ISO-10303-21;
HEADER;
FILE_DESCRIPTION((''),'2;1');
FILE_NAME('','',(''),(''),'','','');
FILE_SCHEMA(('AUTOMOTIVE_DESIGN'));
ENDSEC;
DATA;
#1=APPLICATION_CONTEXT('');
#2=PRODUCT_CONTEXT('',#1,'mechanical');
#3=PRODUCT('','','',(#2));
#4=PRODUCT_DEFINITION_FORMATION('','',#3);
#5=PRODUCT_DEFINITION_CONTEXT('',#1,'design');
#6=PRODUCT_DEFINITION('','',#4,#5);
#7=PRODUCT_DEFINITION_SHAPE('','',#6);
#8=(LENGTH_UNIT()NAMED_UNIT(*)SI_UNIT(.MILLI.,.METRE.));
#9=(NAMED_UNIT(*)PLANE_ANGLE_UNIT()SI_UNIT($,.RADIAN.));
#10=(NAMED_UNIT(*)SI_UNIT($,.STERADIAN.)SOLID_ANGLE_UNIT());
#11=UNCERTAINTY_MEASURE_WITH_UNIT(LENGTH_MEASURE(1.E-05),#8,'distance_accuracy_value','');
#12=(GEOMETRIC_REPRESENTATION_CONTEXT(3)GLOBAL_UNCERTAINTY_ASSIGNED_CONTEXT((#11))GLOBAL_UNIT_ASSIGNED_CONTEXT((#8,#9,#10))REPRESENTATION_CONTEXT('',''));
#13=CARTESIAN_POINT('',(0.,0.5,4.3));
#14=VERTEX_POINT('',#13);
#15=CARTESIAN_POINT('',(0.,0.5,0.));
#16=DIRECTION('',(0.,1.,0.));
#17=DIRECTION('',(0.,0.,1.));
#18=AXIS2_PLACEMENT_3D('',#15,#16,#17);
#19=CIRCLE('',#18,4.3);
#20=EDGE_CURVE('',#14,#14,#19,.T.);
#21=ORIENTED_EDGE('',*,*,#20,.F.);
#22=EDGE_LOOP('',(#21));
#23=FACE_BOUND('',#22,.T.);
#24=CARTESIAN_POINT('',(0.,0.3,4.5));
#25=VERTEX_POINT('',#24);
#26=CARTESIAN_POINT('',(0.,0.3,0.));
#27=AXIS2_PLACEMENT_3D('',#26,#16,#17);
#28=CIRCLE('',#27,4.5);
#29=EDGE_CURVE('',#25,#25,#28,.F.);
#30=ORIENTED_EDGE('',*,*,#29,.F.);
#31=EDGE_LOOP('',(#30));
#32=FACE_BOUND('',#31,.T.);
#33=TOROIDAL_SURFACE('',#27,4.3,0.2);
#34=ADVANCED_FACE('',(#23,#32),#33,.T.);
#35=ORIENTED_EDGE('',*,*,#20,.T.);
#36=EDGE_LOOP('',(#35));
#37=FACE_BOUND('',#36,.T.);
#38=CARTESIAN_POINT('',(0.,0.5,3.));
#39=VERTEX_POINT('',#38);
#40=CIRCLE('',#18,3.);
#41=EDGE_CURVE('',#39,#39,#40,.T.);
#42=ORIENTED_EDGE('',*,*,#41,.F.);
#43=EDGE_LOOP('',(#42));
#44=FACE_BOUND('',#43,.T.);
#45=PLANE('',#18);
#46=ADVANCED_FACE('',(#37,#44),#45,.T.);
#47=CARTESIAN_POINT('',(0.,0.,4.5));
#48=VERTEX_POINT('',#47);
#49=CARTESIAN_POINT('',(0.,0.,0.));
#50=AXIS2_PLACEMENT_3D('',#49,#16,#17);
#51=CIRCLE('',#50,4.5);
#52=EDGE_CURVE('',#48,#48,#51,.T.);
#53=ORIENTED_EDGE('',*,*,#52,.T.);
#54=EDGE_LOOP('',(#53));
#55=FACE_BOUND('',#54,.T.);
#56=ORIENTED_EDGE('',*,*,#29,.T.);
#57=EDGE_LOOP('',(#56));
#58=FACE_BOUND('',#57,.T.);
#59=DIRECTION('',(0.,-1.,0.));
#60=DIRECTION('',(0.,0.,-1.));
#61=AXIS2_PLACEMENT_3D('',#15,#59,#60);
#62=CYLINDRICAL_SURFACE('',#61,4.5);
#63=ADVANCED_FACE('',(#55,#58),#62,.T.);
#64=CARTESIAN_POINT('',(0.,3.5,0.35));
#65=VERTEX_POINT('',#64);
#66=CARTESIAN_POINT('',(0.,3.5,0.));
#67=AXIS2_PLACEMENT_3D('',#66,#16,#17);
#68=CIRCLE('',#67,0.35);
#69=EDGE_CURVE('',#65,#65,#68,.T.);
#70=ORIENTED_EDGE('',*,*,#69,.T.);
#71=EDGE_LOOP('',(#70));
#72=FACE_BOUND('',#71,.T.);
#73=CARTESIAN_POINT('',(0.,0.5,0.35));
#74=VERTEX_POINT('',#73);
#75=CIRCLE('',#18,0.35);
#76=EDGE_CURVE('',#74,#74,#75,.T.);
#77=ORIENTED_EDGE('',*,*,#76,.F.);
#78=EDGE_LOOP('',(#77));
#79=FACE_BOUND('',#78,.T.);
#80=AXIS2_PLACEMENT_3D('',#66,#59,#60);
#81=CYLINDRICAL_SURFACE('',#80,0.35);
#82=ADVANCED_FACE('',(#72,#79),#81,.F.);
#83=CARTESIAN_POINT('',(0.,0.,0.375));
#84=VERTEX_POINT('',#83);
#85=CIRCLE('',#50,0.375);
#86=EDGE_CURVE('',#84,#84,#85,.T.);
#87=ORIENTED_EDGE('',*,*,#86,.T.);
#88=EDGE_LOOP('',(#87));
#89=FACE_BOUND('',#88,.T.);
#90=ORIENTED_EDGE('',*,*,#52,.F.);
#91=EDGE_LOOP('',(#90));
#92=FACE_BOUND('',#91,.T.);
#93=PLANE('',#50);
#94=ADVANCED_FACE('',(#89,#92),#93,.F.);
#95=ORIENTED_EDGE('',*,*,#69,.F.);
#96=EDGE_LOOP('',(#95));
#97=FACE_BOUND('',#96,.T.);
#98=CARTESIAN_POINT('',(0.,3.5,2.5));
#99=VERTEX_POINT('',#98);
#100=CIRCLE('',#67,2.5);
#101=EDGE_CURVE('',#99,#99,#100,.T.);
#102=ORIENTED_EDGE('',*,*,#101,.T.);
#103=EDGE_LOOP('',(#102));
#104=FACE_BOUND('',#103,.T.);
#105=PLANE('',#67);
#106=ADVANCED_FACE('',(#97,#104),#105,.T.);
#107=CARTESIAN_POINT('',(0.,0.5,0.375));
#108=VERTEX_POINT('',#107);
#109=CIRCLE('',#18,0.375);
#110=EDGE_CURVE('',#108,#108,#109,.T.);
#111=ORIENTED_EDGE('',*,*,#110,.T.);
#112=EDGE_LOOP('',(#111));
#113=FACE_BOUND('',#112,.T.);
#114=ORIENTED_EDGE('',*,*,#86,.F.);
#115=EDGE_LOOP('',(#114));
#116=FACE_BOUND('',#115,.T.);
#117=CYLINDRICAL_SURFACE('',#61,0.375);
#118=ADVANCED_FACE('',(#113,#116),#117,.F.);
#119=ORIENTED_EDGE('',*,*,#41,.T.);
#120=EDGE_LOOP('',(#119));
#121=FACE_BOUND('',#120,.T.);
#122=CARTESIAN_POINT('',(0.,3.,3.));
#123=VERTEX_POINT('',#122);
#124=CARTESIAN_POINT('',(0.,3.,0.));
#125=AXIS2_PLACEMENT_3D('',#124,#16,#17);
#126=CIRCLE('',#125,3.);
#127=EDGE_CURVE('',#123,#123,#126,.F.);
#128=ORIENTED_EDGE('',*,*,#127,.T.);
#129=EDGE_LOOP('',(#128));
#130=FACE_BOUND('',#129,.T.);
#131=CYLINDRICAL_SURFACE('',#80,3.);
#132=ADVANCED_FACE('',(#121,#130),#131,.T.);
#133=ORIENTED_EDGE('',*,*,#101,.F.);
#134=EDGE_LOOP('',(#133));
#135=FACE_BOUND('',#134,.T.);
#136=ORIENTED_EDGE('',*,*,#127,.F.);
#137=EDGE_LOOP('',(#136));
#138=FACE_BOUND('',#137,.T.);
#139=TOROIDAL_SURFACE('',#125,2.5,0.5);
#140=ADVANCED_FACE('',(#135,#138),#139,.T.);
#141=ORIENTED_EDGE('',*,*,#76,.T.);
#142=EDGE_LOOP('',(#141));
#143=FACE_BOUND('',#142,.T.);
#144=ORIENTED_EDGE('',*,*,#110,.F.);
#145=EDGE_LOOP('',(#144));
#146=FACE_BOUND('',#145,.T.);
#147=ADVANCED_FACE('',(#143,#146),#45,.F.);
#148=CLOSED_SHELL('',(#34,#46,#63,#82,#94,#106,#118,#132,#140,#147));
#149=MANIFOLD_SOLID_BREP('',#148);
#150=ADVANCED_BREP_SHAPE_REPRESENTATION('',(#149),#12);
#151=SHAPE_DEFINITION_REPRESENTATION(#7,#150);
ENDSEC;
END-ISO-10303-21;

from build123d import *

# Parameters (mm, degrees)
SKETCH1_R           = 4.5
SKETCH1_R_2         = 0.375
BOSS_EXTRUDE1_DEPTH = 0.5
SKETCH2_R           = 3
SKETCH2_R_2         = 0.35
BOSS_EXTRUDE2_DEPTH = 3
FILLET1_R           = 0.5
FILLET2_R           = 0.2


with BuildPart() as part:
    # Sketch1 → Boss-Extrude1 (new body)
    with BuildSketch(Plane(origin=(0, 0, 0), x_dir=(1, 0, 0), z_dir=(0, 1, 0))):
        with Locations(Location((0, 0, 0), (0, 0, 270))):
            Circle(SKETCH1_R)
        with Locations(Location((0, 0, 0), (0, 0, 270))):
            Circle(SKETCH1_R_2, mode=Mode.SUBTRACT)
    extrude(amount=BOSS_EXTRUDE1_DEPTH)

    # Sketch2 → Boss-Extrude2 (add)
    with BuildSketch(Plane(origin=(0, 0.5, 0), x_dir=(1, 0, 0), z_dir=(0, 1, 0))):
        with Locations(Location((0, 0, 0), (0, 0, 270))):
            Circle(SKETCH2_R)
        with Locations(Location((0, 0, 0), (0, 0, 270))):
            Circle(SKETCH2_R_2, mode=Mode.SUBTRACT)
    extrude(amount=BOSS_EXTRUDE2_DEPTH)

    # Fillet1
    fillet1_edges = [part.edges().sort_by_distance(p)[0] for p in [
        (0, 3.5, -3),
    ]]
    fillet(fillet1_edges, radius=FILLET1_R)

    # Fillet2
    fillet2_edges = [part.edges().sort_by_distance(p)[0] for p in [
        (0, 0.5, -4.5),
    ]]
    fillet(fillet2_edges, radius=FILLET2_R)


solid = part.part
